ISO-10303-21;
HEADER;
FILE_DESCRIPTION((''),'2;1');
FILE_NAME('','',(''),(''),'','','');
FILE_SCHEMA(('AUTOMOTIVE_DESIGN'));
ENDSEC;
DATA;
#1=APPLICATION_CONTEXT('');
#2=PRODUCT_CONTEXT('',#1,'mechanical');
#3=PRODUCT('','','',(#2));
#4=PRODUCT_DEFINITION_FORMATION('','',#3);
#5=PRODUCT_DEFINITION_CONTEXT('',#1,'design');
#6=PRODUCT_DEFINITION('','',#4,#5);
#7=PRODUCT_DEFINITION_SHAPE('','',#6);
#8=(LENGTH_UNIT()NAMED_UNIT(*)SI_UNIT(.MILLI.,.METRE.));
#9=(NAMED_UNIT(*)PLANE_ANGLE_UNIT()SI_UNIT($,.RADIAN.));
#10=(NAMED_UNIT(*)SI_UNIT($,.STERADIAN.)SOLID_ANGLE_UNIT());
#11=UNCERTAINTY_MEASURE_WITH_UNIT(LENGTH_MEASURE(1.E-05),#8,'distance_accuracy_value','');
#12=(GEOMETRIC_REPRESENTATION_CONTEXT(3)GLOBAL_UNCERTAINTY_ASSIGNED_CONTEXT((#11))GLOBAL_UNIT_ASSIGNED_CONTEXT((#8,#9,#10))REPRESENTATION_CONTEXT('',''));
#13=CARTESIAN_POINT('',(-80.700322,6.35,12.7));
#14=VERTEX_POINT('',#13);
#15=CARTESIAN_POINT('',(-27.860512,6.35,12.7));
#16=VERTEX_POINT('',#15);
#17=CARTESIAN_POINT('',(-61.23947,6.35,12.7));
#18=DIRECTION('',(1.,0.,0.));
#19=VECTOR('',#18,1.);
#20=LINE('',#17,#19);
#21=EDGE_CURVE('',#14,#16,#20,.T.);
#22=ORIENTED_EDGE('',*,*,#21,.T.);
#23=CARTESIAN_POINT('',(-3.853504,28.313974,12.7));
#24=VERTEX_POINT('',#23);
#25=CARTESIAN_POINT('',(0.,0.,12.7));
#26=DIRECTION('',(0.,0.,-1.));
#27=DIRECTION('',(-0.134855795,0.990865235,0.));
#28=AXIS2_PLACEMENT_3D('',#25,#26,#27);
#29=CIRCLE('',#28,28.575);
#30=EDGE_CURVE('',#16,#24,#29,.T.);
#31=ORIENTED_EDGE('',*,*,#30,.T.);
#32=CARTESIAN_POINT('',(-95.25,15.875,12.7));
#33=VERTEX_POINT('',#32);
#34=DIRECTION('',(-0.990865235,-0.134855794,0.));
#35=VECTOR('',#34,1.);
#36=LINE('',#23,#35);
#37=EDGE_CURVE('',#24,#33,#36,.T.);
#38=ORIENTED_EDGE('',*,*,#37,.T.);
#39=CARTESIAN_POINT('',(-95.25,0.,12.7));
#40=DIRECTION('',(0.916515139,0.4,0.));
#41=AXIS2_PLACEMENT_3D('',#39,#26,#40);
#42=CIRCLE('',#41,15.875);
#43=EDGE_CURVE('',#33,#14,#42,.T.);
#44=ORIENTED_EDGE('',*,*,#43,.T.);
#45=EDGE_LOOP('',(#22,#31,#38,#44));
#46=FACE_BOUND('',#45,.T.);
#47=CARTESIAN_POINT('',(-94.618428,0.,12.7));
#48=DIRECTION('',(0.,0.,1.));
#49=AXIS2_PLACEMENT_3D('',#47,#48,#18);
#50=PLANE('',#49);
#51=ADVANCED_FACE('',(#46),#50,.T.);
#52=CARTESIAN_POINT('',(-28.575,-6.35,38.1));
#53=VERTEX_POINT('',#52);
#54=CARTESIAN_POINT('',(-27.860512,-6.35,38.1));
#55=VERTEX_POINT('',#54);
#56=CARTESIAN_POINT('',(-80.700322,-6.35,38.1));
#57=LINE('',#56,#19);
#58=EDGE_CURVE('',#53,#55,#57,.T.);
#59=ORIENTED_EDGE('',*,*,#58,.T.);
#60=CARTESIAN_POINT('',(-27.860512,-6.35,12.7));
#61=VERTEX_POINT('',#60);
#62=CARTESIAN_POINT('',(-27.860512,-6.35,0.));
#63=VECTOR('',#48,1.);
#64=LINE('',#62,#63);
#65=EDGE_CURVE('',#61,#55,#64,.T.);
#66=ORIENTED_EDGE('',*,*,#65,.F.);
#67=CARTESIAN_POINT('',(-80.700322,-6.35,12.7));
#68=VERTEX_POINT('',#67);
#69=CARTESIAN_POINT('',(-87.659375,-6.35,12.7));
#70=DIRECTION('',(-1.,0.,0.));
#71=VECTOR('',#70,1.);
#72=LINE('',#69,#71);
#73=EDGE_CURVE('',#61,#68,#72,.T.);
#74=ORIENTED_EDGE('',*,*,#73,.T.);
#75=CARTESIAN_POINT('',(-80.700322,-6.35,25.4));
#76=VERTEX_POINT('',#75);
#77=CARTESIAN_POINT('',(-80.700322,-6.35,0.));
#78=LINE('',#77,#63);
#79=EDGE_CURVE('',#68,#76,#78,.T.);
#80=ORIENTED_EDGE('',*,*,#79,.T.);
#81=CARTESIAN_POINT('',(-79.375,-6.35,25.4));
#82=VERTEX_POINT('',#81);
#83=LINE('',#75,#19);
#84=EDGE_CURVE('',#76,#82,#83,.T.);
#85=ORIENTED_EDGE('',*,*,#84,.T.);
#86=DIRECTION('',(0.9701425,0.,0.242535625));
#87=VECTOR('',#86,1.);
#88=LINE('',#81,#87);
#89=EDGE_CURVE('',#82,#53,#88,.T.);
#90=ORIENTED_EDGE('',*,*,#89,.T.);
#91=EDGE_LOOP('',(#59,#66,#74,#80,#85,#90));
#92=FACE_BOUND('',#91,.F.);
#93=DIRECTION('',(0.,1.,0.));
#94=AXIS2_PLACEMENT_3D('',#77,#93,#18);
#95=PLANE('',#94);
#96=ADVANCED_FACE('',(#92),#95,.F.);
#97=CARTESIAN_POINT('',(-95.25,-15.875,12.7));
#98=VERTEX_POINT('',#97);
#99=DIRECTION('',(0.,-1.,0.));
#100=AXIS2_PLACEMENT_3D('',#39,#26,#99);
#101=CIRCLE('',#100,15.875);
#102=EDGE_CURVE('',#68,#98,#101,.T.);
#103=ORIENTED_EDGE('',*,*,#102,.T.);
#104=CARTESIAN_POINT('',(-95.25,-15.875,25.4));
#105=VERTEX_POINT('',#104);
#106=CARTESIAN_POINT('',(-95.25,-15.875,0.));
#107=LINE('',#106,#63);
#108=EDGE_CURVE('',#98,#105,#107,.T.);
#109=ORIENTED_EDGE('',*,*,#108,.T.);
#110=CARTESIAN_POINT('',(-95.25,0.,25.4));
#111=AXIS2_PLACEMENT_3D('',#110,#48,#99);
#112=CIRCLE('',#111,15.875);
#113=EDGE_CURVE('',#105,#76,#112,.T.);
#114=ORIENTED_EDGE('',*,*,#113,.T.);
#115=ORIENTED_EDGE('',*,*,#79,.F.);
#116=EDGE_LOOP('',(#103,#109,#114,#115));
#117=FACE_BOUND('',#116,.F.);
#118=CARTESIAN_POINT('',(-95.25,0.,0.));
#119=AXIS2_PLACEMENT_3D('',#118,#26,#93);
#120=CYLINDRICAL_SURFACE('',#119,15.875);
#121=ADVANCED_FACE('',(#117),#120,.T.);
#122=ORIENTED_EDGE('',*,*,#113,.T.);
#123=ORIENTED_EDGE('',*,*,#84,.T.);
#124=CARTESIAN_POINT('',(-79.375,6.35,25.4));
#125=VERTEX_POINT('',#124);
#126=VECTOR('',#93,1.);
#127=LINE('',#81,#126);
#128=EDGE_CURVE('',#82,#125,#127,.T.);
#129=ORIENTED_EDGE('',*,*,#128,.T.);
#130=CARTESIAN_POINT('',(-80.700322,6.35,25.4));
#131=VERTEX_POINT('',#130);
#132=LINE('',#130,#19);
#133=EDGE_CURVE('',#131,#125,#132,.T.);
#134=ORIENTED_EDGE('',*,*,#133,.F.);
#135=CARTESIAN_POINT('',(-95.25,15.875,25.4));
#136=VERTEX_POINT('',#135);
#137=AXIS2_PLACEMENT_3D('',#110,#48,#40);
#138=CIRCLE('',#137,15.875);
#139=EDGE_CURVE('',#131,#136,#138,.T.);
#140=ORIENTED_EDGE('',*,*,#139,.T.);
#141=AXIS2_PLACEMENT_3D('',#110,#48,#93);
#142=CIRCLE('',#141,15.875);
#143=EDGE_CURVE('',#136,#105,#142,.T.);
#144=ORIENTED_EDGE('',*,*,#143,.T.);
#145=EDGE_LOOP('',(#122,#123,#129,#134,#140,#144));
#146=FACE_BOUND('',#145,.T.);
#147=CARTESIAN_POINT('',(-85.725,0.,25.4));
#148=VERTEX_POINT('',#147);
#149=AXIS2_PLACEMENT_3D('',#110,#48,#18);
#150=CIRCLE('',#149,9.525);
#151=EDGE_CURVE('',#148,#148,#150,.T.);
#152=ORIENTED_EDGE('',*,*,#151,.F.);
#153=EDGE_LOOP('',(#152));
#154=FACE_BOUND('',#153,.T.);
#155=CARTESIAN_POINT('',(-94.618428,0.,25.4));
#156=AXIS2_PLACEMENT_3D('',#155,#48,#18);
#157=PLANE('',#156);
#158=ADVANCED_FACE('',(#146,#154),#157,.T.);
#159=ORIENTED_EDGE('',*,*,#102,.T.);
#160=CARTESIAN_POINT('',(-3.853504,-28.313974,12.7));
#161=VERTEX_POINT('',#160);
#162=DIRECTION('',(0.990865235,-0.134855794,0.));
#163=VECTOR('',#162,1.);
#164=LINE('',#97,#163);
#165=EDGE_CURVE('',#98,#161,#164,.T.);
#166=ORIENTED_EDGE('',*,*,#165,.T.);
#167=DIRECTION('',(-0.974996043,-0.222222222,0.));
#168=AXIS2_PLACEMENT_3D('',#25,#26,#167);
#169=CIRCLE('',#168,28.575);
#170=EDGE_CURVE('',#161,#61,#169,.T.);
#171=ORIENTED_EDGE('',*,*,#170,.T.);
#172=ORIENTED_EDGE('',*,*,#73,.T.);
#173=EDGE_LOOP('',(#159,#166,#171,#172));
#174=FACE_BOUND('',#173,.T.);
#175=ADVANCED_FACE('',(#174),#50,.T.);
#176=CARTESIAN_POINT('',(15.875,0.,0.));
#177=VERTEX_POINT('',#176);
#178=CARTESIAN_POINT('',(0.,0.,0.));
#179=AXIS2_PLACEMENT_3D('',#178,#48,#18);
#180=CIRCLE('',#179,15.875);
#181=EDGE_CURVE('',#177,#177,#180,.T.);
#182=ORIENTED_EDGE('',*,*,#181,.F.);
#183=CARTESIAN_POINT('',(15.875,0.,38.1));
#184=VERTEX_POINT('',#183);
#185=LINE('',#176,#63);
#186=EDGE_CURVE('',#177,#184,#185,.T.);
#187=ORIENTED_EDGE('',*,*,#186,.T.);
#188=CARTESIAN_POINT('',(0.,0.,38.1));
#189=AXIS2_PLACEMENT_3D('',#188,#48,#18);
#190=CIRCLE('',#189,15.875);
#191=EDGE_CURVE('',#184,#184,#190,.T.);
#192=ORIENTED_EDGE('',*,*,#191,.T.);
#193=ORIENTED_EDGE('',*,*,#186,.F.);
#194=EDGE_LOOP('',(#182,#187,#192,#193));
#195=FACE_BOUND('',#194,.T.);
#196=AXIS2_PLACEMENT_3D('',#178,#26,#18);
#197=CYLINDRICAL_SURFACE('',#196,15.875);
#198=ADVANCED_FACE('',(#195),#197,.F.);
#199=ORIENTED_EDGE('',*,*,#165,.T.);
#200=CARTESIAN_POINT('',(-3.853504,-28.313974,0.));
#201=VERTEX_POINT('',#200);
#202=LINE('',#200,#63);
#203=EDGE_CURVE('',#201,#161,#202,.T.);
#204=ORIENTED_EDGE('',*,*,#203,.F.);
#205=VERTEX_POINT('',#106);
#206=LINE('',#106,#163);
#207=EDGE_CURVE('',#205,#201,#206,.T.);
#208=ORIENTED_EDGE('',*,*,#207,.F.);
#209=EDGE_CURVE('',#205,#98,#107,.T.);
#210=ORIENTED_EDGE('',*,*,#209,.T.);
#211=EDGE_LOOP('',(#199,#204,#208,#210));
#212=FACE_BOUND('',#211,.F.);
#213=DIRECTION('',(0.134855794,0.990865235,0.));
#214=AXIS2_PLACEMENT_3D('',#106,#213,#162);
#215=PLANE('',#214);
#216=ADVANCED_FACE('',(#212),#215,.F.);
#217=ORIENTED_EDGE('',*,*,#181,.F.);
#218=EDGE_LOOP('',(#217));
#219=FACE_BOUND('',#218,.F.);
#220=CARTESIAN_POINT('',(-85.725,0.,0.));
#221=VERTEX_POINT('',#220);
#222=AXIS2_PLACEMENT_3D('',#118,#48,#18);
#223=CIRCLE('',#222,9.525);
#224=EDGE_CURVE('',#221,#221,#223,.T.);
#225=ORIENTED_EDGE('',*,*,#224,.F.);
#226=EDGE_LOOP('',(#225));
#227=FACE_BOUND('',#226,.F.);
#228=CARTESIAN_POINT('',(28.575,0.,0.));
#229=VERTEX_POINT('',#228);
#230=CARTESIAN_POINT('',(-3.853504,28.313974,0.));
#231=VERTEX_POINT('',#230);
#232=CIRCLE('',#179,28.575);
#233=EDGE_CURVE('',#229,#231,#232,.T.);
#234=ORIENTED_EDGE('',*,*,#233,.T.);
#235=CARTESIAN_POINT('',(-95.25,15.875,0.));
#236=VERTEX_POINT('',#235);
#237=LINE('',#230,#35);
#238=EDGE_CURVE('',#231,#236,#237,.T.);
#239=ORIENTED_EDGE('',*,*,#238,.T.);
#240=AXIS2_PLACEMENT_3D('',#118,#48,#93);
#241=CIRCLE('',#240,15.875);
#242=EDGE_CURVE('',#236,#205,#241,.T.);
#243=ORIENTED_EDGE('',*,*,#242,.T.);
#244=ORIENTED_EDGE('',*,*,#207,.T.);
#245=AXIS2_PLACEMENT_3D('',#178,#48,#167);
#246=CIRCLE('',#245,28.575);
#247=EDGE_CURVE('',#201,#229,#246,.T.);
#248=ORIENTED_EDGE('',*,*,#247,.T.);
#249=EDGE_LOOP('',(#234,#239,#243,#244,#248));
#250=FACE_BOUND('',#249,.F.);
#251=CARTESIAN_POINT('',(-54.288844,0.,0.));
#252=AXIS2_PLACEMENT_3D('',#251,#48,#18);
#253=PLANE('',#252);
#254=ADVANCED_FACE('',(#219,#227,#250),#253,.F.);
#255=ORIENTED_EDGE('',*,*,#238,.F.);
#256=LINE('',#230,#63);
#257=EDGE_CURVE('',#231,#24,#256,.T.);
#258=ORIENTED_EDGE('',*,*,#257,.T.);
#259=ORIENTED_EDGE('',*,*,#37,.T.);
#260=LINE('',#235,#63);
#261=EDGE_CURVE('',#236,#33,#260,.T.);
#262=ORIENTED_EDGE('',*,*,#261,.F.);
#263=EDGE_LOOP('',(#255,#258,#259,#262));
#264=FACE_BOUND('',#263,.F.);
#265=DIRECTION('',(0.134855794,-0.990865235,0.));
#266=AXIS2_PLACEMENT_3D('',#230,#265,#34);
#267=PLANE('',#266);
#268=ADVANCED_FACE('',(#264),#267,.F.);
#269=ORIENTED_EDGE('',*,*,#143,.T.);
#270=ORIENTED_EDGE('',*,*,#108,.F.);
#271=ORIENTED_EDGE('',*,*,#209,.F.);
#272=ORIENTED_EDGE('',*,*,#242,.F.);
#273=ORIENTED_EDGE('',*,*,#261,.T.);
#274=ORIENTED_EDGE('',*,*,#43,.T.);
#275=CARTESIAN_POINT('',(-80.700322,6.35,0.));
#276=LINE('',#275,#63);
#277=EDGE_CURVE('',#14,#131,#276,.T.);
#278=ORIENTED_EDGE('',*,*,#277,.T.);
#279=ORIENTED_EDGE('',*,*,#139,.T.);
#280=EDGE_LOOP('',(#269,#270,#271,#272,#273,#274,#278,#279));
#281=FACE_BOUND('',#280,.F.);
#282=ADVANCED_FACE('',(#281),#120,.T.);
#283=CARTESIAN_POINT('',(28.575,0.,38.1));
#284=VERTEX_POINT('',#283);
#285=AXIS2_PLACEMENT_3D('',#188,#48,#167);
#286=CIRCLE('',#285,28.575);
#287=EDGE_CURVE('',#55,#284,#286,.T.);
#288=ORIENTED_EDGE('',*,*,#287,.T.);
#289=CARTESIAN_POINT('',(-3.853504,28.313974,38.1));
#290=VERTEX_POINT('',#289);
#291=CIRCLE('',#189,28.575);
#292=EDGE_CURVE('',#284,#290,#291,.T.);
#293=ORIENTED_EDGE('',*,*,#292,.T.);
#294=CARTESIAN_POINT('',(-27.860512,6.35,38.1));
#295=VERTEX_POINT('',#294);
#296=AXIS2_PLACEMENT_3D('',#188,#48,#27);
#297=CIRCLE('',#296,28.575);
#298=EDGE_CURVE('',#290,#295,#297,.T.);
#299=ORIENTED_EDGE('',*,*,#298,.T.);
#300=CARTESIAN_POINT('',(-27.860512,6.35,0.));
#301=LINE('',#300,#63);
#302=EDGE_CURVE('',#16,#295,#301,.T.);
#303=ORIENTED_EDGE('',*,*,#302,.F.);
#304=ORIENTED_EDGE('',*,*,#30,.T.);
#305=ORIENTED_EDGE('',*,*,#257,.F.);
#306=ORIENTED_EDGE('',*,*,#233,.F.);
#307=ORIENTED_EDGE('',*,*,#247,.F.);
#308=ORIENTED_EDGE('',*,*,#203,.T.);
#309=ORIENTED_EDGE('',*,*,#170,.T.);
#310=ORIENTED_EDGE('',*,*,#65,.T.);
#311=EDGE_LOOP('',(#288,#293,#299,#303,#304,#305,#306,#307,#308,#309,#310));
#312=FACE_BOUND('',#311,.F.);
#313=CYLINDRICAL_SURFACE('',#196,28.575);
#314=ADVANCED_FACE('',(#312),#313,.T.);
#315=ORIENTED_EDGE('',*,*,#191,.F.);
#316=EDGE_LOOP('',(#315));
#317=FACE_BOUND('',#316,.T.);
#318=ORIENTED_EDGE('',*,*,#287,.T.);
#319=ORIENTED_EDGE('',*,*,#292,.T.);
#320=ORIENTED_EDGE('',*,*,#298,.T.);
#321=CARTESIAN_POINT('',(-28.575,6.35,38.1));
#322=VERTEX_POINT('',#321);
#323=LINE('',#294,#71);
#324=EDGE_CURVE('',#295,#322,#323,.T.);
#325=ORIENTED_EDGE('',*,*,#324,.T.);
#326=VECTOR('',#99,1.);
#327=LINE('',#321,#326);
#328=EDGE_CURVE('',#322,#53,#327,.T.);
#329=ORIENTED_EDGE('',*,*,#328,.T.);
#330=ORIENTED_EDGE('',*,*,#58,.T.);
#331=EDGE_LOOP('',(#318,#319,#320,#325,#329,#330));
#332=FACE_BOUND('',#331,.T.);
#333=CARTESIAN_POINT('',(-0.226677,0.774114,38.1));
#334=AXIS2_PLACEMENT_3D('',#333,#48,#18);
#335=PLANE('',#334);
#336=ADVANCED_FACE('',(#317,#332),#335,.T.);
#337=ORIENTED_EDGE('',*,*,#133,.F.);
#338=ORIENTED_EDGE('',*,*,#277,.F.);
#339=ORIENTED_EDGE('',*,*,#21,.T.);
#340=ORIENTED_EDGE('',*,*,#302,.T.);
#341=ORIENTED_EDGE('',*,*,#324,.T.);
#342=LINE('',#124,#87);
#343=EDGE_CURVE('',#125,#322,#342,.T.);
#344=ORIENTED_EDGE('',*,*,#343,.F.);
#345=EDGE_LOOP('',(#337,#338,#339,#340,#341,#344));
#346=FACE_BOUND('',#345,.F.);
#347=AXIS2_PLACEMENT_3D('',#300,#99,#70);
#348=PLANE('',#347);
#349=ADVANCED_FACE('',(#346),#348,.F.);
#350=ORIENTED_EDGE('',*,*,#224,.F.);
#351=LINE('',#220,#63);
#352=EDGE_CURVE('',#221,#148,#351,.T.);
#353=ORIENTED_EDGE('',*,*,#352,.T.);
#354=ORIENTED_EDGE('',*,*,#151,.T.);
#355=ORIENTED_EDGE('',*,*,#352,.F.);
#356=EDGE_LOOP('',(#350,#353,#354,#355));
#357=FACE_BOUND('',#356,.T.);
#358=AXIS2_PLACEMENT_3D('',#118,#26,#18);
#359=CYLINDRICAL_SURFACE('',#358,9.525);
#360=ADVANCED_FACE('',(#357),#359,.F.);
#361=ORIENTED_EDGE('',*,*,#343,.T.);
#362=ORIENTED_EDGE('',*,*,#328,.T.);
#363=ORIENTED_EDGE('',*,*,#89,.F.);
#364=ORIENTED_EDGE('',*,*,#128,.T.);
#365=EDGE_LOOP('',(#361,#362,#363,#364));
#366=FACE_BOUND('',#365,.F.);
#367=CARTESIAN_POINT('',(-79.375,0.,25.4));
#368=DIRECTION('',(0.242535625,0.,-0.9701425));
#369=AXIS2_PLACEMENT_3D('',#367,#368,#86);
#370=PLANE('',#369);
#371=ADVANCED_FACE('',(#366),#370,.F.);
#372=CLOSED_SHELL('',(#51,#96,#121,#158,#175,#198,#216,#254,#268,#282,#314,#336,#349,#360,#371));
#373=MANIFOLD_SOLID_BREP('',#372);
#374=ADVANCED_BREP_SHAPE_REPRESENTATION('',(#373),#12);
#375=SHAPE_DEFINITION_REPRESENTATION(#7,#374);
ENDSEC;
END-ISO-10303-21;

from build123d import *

# Parameters (mm, degrees)
F0_R          = 9.525
F0_R_2        = 15.875
F1_DEPTH      = 12.7
F2_DEPTH      = 38.1
F3_DEPTH      = 25.4
F5_DEPTH      = 38.1
F7_DEPTH      = 6.35
F7_DEPTH_BACK = 6.35


with BuildPart() as f1:
    # F0 (on Top) → F1 (new body)
    with BuildSketch(Plane.XY):
        with BuildLine():
            ThreePointArc((-79.375, 0), (-79.7098622822, 3.2434155936), (-80.7003221685, 6.35))
            ThreePointArc((-80.7003221685, 6.35), (-86.5549043996, 13.2819779212), (-95.25, 15.875))
            ThreePointArc((-95.25, 15.875), (-111.125, 0), (-95.25, -15.875))
            ThreePointArc((-95.25, -15.875), (-86.5549043996, -13.2819779212), (-80.7003221685, -6.35))
            ThreePointArc((-80.7003221685, -6.35), (-79.7098622822, -3.2434155936), (-79.375, 0))
        make_face()
        with Locations((-95.25, 0)):
            Circle(F0_R, mode=Mode.SUBTRACT)
        with BuildLine():
            ThreePointArc((-27.86051193, -6.35), (-28.575, 0), (-27.86051193, 6.35))
            Line((-27.86051193, 6.35), (-80.7003221685, 6.35))
            ThreePointArc((-80.7003221685, 6.35), (-79.7098622822, 3.2434155936), (-79.375, 0))
            ThreePointArc((-79.375, 0), (-79.7098622822, -3.2434155936), (-80.7003221685, -6.35))
            Line((-80.7003221685, -6.35), (-27.86051193, -6.35))
        make_face()
        with BuildLine():
            Line((-80.7003221685, 6.35), (-27.86051193, 6.35))
            ThreePointArc((-27.86051193, 6.35), (-19.2885651774, 21.0827388732), (-3.8535043435, 28.3139740989))
            Line((-3.8535043435, 28.3139740989), (-95.25, 15.875))
            ThreePointArc((-95.25, 15.875), (-86.5549043996, 13.2819779212), (-80.7003221685, 6.35))
        make_face()
        with BuildLine():
            ThreePointArc((-3.8535043435, -28.3139740989), (-19.2885651774, -21.0827388732), (-27.86051193, -6.35))
            Line((-27.86051193, -6.35), (-80.7003221685, -6.35))
            ThreePointArc((-80.7003221685, -6.35), (-86.5549043996, -13.2819779212), (-95.25, -15.875))
            Line((-95.25, -15.875), (-3.8535043435, -28.3139740989))
        make_face()
        with BuildLine():
            ThreePointArc((-3.8535043435, 28.3139740989), (-19.2885651774, 21.0827388732), (-27.86051193, 6.35))
            ThreePointArc((-27.86051193, 6.35), (-28.575, 0), (-27.86051193, -6.35))
            ThreePointArc((-27.86051193, -6.35), (-19.2885651774, -21.0827388732), (-3.8535043435, -28.3139740989))
            ThreePointArc((-3.8535043435, -28.3139740989), (18.7938385965, -21.5249217376), (28.575, 0))
            ThreePointArc((28.575, 0), (18.7938385965, 21.5249217375), (-3.8535043435, 28.3139740989))
        make_face()
        Circle(F0_R_2, mode=Mode.SUBTRACT)
    extrude(amount=F1_DEPTH)

    # F0 (on Top) → F2 (join)
    with BuildSketch(Plane.XY):
        with BuildLine():
            ThreePointArc((-3.8535043435, 28.3139740989), (-19.2885651774, 21.0827388732), (-27.86051193, 6.35))
            ThreePointArc((-27.86051193, 6.35), (-28.575, 0), (-27.86051193, -6.35))
            ThreePointArc((-27.86051193, -6.35), (-19.2885651774, -21.0827388732), (-3.8535043435, -28.3139740989))
            ThreePointArc((-3.8535043435, -28.3139740989), (18.7938385965, -21.5249217376), (28.575, 0))
            ThreePointArc((28.575, 0), (18.7938385965, 21.5249217375), (-3.8535043435, 28.3139740989))
        make_face()
        Circle(F0_R_2, mode=Mode.SUBTRACT)
    extrude(amount=F2_DEPTH)

    # F0 (on Top) → F3 (join)
    with BuildSketch(Plane.XY):
        with BuildLine():
            ThreePointArc((-79.375, 0), (-79.7098622822, 3.2434155936), (-80.7003221685, 6.35))
            ThreePointArc((-80.7003221685, 6.35), (-86.5549043996, 13.2819779212), (-95.25, 15.875))
            ThreePointArc((-95.25, 15.875), (-111.125, 0), (-95.25, -15.875))
            ThreePointArc((-95.25, -15.875), (-86.5549043996, -13.2819779212), (-80.7003221685, -6.35))
            ThreePointArc((-80.7003221685, -6.35), (-79.7098622822, -3.2434155936), (-79.375, 0))
        make_face()
        with Locations((-95.25, 0)):
            Circle(F0_R, mode=Mode.SUBTRACT)
    extrude(amount=F3_DEPTH)

    # F0 (on Top) → F5 (join, through all)
    with BuildSketch(Plane.XY):
        with BuildLine():
            ThreePointArc((-27.86051193, -6.35), (-28.575, 0), (-27.86051193, 6.35))
            Line((-27.86051193, 6.35), (-80.7003221685, 6.35))
            ThreePointArc((-80.7003221685, 6.35), (-79.7098622822, 3.2434155936), (-79.375, 0))
            ThreePointArc((-79.375, 0), (-79.7098622822, -3.2434155936), (-80.7003221685, -6.35))
            Line((-80.7003221685, -6.35), (-27.86051193, -6.35))
        make_face()
    extrude(amount=F5_DEPTH)

    # F6 (on Front) → F7 (cut, two sides)
    with BuildSketch(Plane.XZ) as f7_sk:
        Polygon((-80.7003221685, 25.4), (-79.375, 25.4), (-28.575, 38.1), (-80.7003221685, 38.1), align=None)
    extrude(amount=-F7_DEPTH, mode=Mode.SUBTRACT)
    extrude(f7_sk.sketch, amount=F7_DEPTH_BACK, mode=Mode.SUBTRACT)


solid = f1.part
